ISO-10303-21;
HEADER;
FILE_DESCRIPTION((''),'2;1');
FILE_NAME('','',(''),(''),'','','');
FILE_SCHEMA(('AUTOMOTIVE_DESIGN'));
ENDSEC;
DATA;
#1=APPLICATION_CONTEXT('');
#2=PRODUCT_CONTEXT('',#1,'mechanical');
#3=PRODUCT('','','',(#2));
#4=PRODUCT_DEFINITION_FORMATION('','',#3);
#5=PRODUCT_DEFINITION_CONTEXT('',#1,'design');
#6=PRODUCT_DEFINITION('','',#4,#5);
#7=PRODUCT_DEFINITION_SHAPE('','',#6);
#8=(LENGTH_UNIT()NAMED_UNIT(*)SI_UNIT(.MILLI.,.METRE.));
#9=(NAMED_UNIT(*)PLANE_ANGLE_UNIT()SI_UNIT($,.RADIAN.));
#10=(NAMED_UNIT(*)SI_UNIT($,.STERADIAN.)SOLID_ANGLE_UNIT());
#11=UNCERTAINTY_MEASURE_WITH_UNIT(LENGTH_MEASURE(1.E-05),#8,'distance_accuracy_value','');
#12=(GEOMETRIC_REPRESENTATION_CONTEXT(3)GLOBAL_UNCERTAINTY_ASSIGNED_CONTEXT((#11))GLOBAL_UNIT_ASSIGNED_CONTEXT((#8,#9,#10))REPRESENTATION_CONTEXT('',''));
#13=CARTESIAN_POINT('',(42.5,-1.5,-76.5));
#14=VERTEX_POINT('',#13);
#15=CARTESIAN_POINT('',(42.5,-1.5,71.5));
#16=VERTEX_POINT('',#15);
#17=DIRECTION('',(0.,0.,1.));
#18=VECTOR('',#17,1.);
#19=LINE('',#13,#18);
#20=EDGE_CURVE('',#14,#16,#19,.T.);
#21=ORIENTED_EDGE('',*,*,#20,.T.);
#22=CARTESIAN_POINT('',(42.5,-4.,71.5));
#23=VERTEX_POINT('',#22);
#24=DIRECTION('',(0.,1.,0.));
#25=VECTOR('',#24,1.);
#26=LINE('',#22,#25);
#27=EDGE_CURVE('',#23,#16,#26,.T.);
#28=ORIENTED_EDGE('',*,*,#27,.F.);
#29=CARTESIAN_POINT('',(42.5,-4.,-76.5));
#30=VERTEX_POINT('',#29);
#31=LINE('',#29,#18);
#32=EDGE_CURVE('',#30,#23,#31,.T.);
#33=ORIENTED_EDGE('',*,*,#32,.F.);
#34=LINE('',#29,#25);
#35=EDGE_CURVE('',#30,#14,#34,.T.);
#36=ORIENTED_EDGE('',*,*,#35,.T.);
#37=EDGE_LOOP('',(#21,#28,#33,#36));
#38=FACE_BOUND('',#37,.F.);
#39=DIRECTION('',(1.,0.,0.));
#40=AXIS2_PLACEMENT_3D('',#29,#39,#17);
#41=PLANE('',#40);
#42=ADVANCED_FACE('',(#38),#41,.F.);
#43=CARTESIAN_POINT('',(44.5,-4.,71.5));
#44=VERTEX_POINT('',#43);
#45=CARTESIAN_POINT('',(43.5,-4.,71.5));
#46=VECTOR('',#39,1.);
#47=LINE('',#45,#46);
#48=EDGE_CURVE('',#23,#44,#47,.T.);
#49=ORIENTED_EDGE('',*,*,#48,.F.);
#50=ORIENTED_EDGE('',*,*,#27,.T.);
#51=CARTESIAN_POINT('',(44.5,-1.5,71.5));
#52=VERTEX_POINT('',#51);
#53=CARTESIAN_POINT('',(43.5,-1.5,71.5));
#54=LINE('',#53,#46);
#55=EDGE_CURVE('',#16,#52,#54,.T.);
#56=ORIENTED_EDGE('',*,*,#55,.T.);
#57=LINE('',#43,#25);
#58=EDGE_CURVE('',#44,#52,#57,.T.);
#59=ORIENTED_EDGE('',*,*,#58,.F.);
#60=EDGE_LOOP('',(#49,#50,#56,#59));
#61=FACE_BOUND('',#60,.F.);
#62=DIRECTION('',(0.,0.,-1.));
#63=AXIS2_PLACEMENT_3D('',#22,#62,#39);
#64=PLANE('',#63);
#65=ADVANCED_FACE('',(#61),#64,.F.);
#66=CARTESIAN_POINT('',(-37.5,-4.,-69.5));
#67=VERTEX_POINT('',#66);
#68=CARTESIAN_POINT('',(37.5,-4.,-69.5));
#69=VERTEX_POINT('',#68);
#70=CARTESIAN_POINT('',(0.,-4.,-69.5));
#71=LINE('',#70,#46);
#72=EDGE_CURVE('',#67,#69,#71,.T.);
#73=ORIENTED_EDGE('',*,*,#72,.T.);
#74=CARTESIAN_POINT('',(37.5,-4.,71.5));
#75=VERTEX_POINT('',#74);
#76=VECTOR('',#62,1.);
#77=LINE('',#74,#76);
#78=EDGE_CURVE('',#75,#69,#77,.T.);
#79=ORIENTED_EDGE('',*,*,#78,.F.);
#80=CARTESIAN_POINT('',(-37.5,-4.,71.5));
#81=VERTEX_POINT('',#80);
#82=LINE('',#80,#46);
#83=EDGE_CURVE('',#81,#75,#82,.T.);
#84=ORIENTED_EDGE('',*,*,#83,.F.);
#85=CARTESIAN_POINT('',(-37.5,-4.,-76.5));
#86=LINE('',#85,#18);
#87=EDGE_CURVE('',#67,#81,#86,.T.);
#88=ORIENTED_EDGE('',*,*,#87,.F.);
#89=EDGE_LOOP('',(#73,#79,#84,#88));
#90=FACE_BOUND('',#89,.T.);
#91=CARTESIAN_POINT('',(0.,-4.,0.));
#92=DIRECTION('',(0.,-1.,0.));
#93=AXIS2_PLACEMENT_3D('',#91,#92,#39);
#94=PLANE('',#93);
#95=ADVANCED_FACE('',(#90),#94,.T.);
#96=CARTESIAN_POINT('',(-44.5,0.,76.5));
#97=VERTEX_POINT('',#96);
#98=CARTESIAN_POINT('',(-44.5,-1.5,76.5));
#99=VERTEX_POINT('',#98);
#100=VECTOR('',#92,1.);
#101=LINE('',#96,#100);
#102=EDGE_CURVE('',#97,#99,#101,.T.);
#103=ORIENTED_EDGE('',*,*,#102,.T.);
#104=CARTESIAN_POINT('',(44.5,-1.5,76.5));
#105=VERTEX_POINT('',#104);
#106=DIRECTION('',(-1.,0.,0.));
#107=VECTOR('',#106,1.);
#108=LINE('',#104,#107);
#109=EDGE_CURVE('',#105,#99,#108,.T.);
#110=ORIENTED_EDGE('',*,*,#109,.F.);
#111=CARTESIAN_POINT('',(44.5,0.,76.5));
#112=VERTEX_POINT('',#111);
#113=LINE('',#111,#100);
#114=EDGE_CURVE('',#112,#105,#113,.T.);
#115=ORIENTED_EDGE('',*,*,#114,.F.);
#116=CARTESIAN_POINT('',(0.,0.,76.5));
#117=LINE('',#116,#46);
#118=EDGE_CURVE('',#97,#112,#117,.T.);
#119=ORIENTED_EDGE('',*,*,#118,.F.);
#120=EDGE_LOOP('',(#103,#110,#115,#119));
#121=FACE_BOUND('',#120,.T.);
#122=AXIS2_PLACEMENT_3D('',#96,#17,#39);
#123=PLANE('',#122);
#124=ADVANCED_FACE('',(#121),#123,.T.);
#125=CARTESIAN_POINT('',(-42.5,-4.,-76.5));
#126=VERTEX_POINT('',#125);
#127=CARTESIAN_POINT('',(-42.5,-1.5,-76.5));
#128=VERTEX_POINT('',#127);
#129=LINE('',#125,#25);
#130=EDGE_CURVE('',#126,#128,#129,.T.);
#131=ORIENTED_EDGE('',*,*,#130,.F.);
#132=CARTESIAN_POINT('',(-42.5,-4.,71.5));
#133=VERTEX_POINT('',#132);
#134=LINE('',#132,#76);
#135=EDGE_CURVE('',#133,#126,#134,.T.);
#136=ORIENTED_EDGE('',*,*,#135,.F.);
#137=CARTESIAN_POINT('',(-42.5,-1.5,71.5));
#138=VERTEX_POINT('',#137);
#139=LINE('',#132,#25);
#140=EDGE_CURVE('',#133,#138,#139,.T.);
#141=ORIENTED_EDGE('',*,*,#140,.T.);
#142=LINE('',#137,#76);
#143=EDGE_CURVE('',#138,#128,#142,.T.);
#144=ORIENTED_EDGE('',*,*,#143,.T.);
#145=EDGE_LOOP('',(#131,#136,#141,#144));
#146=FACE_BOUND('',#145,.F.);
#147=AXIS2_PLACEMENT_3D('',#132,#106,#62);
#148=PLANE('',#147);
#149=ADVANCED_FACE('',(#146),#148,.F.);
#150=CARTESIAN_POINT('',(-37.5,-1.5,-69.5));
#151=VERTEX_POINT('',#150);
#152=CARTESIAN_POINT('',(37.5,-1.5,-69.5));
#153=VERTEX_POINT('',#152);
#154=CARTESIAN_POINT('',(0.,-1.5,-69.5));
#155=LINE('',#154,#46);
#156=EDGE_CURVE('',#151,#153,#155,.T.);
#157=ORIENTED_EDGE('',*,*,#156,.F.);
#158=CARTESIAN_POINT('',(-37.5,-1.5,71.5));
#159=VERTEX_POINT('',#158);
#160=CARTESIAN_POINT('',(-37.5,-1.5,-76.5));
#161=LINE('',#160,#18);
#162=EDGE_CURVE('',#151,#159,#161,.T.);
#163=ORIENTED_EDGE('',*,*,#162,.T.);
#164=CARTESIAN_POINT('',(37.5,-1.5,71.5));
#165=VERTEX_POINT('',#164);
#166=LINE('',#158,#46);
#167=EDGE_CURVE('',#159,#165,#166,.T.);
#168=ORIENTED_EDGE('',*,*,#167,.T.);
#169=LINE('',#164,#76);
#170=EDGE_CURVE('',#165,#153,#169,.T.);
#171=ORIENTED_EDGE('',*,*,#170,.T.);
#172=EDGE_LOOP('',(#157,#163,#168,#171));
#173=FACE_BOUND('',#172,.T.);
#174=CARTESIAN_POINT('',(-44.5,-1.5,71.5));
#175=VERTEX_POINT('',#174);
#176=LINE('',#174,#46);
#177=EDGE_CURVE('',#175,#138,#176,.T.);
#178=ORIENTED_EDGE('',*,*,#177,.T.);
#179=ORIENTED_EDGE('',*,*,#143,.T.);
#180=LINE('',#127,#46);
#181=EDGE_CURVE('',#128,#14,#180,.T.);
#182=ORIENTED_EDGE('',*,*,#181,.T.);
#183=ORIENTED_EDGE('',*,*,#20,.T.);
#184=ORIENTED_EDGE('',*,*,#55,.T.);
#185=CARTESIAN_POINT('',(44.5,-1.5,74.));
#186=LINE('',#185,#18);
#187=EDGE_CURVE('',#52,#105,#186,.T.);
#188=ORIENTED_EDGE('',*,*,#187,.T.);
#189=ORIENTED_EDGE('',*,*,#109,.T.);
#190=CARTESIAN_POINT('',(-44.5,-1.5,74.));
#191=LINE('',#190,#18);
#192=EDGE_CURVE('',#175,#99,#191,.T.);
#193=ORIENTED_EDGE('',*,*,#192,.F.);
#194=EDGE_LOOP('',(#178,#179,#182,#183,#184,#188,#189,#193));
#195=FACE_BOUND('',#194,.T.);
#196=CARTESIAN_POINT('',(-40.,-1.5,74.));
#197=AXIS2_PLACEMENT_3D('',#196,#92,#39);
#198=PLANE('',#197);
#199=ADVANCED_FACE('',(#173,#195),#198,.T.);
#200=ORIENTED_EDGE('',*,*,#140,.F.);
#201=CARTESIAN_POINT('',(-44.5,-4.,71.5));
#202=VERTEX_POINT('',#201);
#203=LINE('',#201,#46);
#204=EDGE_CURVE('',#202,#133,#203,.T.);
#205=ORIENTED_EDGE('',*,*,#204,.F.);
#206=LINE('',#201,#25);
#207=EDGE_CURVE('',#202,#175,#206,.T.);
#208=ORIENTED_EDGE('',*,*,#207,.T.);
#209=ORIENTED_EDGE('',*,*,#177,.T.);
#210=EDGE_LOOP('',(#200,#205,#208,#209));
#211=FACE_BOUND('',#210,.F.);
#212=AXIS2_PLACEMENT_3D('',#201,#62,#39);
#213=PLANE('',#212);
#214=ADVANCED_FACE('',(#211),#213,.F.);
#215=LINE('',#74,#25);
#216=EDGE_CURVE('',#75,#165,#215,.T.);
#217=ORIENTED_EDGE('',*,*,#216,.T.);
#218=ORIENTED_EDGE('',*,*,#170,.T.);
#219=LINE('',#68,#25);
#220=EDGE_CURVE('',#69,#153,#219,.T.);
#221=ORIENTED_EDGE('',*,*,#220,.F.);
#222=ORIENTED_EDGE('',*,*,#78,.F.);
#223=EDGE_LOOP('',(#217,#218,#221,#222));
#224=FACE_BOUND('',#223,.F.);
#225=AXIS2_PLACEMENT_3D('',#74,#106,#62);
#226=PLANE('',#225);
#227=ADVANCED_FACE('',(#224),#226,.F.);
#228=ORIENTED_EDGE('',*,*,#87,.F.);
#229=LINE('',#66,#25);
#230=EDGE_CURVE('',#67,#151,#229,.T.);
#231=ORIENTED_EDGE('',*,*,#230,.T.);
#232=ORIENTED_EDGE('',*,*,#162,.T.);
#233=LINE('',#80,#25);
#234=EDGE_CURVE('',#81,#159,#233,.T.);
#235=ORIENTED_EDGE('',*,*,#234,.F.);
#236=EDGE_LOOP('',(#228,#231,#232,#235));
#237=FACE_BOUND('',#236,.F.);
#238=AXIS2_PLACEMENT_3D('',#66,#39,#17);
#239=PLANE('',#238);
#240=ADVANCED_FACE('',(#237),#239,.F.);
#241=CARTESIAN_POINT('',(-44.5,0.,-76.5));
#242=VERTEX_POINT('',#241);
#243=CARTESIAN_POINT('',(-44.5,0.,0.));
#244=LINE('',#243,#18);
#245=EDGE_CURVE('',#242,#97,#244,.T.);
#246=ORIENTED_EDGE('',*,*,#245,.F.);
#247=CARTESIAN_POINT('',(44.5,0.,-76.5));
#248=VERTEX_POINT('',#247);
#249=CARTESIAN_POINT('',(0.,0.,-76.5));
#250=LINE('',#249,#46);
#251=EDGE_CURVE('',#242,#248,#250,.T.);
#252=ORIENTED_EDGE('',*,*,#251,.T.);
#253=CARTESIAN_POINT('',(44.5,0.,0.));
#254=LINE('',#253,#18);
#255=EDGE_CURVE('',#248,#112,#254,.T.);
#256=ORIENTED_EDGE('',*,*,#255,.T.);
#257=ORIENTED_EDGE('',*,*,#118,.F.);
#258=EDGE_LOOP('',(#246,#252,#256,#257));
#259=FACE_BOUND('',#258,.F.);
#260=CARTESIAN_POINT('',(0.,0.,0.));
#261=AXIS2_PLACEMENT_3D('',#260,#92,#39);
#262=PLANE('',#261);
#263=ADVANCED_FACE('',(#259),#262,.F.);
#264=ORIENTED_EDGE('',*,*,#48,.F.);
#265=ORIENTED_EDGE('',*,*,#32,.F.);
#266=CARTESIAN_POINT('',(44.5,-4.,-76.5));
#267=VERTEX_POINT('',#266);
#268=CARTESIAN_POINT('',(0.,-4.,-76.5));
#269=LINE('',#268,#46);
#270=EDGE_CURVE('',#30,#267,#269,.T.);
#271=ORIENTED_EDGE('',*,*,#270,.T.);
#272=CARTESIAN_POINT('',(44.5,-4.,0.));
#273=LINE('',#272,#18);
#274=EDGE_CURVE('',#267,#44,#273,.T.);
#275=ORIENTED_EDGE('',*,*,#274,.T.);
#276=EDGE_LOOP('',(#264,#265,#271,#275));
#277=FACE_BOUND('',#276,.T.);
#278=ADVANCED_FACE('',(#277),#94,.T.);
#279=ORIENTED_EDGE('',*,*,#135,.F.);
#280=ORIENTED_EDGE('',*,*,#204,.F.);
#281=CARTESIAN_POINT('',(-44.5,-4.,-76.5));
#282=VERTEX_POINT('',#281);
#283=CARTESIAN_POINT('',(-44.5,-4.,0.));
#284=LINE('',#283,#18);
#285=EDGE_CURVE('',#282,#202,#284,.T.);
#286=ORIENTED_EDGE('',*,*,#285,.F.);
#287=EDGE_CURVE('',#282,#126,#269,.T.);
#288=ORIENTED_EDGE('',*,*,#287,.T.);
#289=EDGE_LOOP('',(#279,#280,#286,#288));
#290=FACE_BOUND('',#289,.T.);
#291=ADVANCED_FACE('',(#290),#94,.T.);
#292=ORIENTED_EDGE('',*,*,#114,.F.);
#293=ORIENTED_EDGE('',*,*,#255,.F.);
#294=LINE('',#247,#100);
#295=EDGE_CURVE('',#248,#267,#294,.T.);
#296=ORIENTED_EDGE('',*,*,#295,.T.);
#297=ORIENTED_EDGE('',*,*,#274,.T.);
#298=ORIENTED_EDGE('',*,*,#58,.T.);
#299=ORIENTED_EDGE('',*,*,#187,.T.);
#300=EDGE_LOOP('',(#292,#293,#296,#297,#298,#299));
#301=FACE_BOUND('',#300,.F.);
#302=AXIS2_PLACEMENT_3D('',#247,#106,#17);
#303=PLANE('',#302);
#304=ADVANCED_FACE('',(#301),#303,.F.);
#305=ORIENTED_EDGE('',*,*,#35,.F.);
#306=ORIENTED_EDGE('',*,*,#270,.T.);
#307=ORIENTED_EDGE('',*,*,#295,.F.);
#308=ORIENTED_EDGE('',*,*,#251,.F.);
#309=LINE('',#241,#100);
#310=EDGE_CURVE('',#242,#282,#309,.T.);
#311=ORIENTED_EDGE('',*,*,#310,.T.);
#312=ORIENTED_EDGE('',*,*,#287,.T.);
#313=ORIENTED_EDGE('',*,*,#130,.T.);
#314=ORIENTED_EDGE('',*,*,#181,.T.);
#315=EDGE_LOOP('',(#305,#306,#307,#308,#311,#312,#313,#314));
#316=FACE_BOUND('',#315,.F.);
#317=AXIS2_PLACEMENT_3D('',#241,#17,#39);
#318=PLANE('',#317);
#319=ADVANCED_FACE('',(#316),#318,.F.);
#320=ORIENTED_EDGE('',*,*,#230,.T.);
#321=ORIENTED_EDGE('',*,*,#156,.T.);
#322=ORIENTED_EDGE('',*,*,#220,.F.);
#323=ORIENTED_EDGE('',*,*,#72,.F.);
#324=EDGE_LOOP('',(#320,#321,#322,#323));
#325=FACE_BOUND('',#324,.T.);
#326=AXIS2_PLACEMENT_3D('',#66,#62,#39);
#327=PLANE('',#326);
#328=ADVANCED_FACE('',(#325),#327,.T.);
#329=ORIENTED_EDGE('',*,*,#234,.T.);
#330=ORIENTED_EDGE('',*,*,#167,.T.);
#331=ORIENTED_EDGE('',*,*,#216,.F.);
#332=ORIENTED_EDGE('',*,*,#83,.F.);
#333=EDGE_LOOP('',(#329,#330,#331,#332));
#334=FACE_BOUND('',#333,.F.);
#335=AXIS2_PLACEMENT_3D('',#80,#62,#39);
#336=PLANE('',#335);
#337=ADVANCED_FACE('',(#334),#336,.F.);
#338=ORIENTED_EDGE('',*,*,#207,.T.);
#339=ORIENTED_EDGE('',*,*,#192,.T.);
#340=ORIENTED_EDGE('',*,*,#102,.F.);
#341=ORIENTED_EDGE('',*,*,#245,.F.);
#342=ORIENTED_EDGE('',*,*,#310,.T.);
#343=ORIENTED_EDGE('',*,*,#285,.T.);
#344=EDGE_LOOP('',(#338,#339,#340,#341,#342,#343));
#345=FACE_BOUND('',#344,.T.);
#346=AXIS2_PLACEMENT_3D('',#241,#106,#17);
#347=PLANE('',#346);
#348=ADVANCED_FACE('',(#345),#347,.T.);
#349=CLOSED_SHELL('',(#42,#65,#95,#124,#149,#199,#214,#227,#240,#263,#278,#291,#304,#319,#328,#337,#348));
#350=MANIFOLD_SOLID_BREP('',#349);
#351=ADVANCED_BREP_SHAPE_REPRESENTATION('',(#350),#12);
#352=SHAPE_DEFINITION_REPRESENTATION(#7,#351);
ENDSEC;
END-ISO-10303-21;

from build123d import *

# Parameters (mm, degrees)
F0_W     = 89
F0_H     = 153
F1_DEPTH = 4
F2_W     = 5
F2_H     = 5
F2_W_2   = 2
F2_W_3   = 75
F2_H_2   = 7
F3_DEPTH = 2.5


with BuildPart() as f1:
    # F0 (on Front) → F1 (new body)
    with BuildSketch(Plane.XZ):
        Rectangle(F0_W, F0_H)
    extrude(amount=F1_DEPTH)

    # F2 (on face) → F3 (cut)
    with BuildSketch(Plane.XZ.offset(4)):
        with Locations((-40, 74)):
            Rectangle(F2_W, F2_H)
        with Locations((-43.5, 74)):
            Rectangle(F2_W_2, F2_H)
        with Locations((0, 74)):
            Rectangle(F2_W_3, F2_H)
        Polygon((-37.5, 71.5), (-42.5, 71.5), (-42.5, -76.5), (-37.5, -76.5), (-37.5, -69.5), align=None)
        with Locations((40, 74)):
            Rectangle(F2_W, F2_H)
        with Locations((0, -73)):
            Rectangle(F2_W_3, F2_H_2)
        Polygon((42.5, 71.5), (37.5, 71.5), (37.5, -69.5), (37.5, -76.5), (42.5, -76.5), align=None)
        with Locations((43.5, 74)):
            Rectangle(F2_W_2, F2_H)
    extrude(amount=-F3_DEPTH, mode=Mode.SUBTRACT)


solid = f1.part
